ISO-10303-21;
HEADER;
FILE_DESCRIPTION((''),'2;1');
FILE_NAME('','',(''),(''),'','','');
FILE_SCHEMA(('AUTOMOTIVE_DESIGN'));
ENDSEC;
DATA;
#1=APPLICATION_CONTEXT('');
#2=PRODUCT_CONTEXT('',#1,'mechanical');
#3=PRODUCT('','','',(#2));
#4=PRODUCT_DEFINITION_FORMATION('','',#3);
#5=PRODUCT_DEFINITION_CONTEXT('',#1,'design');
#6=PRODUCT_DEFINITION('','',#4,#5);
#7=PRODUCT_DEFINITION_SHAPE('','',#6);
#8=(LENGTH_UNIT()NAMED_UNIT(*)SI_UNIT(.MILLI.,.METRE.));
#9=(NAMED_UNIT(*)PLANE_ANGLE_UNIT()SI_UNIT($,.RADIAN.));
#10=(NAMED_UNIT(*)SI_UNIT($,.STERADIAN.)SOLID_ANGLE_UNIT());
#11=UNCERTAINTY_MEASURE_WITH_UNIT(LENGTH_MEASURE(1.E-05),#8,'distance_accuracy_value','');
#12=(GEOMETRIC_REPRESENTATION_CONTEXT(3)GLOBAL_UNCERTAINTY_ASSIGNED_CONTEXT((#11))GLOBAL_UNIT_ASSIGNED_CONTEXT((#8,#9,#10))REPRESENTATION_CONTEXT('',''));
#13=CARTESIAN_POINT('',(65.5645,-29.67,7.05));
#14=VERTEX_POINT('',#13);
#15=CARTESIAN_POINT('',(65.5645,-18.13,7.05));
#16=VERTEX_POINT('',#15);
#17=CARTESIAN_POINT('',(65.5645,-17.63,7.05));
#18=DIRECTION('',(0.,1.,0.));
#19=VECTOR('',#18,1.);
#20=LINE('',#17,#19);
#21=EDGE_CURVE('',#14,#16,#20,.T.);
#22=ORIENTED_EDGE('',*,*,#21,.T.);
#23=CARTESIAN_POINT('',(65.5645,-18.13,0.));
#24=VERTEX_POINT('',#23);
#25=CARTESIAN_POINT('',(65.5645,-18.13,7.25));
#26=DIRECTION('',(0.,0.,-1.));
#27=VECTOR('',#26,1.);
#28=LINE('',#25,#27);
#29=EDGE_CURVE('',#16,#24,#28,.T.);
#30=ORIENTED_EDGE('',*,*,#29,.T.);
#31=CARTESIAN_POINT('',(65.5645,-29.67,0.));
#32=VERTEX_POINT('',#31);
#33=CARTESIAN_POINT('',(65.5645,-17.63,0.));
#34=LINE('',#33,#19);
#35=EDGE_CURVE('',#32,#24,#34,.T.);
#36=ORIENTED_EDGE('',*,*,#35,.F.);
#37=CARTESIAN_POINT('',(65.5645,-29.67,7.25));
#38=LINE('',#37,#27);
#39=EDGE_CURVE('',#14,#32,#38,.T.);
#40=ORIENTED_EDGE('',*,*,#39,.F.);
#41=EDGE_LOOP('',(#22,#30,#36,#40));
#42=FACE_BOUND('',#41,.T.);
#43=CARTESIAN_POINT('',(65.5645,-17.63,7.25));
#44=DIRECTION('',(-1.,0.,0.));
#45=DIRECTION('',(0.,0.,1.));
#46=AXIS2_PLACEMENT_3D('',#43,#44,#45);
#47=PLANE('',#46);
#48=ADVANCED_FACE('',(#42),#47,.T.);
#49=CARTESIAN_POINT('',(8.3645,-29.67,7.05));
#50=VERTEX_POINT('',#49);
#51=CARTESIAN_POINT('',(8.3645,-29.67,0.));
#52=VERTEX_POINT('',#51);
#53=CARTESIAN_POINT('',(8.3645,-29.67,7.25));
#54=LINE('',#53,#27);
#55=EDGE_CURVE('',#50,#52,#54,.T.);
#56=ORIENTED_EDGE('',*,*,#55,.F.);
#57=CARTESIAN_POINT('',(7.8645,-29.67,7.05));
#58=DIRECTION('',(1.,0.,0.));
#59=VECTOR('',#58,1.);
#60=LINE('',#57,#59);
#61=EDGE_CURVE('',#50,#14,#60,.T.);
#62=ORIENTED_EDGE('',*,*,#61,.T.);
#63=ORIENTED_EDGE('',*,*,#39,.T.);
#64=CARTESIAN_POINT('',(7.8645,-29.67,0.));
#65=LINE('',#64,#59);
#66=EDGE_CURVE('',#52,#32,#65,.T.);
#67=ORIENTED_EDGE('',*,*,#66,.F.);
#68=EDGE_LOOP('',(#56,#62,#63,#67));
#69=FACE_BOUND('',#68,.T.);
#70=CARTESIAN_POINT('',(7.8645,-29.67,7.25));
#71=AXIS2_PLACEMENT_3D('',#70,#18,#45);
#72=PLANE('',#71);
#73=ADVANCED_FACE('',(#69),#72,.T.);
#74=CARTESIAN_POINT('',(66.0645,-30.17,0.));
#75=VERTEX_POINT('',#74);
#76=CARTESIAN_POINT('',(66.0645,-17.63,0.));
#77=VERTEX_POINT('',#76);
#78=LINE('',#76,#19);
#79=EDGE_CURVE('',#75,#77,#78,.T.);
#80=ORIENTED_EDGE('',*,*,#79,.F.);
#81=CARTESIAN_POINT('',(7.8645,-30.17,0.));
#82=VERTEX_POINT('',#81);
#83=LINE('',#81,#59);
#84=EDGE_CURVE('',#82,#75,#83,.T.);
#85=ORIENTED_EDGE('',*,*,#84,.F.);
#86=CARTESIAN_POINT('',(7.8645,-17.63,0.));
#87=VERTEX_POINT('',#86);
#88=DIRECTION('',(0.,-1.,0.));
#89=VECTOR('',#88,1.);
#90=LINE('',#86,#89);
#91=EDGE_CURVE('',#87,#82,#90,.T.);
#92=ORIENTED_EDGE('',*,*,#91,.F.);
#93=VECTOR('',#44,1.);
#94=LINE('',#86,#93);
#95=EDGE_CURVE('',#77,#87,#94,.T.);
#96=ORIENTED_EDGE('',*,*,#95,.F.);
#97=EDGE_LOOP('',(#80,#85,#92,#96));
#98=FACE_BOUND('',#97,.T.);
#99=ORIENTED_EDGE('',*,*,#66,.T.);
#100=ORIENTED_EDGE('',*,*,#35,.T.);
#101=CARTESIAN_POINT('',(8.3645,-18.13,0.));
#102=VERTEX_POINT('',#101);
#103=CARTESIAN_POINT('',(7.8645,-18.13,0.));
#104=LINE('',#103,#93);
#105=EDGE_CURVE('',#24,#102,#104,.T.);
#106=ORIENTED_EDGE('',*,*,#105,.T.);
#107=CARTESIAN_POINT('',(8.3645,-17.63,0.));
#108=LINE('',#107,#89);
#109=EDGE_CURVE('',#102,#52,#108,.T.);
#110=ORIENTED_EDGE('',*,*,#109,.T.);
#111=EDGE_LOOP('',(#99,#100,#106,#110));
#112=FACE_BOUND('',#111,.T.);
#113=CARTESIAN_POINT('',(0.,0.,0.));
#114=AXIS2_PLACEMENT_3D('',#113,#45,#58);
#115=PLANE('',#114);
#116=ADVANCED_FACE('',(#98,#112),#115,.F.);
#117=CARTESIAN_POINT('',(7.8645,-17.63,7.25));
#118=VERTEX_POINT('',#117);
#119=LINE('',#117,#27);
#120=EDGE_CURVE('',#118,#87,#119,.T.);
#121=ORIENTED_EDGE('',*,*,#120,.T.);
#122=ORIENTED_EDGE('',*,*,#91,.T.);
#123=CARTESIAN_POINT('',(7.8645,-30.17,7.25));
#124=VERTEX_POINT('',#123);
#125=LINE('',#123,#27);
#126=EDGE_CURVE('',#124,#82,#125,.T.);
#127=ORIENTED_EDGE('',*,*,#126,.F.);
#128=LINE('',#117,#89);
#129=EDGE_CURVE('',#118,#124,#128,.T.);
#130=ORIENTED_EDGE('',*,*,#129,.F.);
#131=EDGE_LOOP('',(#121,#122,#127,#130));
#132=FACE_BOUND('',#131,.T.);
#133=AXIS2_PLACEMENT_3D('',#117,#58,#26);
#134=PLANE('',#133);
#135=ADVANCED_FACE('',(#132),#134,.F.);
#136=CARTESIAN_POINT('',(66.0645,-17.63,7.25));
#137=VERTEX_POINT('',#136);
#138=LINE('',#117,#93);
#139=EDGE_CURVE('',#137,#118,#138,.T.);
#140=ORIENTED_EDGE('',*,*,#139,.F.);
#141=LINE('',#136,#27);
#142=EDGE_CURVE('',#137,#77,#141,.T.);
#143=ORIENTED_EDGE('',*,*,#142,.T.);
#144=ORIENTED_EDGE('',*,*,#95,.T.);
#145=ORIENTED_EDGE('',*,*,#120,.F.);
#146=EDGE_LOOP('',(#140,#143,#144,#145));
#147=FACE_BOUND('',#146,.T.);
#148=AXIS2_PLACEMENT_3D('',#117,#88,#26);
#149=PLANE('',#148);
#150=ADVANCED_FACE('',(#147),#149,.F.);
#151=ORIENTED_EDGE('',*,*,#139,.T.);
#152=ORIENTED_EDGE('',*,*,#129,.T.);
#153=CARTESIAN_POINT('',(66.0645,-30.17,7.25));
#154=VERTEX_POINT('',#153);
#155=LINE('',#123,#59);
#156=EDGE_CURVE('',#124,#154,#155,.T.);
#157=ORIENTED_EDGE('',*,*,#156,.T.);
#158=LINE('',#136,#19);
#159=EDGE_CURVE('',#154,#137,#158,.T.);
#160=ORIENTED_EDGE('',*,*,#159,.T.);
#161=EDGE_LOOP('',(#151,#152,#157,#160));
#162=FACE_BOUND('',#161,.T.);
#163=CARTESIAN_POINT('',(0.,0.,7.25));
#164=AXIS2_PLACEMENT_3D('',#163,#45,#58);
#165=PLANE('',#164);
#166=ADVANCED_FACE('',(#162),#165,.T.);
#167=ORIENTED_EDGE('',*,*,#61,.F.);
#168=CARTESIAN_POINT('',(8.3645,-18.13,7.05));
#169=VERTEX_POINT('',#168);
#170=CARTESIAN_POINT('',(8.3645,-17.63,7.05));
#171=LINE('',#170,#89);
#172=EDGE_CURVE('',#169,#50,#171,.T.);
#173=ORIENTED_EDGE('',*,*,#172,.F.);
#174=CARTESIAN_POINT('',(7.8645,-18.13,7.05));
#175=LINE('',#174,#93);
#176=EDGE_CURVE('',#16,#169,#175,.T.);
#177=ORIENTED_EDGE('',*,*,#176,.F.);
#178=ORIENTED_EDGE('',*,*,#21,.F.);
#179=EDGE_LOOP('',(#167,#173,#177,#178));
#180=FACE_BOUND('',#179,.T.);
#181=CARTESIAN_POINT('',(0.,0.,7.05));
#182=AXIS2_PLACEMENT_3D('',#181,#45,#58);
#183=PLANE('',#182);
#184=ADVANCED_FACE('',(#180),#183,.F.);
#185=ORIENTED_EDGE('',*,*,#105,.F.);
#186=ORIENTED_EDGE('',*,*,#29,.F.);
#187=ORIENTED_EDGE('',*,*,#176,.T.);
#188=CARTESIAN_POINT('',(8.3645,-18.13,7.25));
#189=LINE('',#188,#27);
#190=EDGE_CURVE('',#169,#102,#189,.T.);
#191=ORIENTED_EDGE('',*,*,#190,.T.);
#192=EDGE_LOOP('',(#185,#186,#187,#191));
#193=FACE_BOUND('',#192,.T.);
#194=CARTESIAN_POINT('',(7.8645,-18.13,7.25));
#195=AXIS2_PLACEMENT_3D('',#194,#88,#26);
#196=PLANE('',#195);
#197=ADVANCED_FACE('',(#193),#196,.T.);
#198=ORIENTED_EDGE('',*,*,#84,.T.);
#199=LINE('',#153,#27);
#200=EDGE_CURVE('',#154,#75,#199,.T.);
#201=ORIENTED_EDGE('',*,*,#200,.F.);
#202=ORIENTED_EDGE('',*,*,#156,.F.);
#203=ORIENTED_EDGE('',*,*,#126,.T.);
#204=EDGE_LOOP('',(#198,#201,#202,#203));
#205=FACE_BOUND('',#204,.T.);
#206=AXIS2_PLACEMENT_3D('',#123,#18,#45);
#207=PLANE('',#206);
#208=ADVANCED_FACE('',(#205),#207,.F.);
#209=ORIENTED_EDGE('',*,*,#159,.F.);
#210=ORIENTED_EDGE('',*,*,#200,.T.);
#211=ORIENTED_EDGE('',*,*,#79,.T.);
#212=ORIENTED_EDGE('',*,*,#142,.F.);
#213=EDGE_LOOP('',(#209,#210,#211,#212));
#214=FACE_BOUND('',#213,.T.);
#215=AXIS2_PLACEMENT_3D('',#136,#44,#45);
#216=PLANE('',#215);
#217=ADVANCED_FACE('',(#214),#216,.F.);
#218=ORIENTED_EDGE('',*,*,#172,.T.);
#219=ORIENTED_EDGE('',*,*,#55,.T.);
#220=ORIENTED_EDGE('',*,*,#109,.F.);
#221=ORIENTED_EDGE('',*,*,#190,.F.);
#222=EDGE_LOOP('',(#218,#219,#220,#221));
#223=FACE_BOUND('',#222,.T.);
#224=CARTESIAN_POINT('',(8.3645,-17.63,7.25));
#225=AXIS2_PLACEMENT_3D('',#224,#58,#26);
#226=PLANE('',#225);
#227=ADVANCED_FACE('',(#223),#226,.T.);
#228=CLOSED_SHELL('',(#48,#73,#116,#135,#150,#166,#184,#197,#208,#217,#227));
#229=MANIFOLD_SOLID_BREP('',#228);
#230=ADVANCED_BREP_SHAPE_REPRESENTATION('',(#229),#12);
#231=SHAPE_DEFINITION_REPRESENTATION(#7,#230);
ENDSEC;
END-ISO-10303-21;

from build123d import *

# Parameters (mm, degrees)
SKETCH1_W                 = 58.2
SKETCH1_H                 = 12.54
BOSS_EXTRUDE1_DEPTH       = 7.25
SHELL1_T                  = -0.5
SHELL1_THICKNESS_2_FACE_W = 57.2
SHELL1_THICKNESS_2_FACE_H = 11.54
SHELL1_THICKNESS_2_DEPTH  = 0.3


with BuildPart() as part:
    # Sketch1 → Boss-Extrude1 (new body)
    with BuildSketch(Plane.XY):
        with Locations((36.9645, -23.9)):
            Rectangle(SKETCH1_W, SKETCH1_H)
    extrude(amount=BOSS_EXTRUDE1_DEPTH)

    # Shell1
    shell1_openings = [part.faces().sort_by_distance(p)[0] for p in [
        (36.9645, -23.9, 0),
    ]]
    offset(amount=SHELL1_T, openings=shell1_openings, kind=Kind.INTERSECTION)

    # Shell1 thickness 2 face (on inner face of the shell) → Shell1 thickness 2 (cut)
    with BuildSketch(Plane(origin=(36.9645, -23.9, 6.75), x_dir=(1, 0, 0), z_dir=(0, 0, 1))):
        Rectangle(SHELL1_THICKNESS_2_FACE_W, SHELL1_THICKNESS_2_FACE_H)
    extrude(amount=SHELL1_THICKNESS_2_DEPTH, mode=Mode.SUBTRACT)


solid = part.part
